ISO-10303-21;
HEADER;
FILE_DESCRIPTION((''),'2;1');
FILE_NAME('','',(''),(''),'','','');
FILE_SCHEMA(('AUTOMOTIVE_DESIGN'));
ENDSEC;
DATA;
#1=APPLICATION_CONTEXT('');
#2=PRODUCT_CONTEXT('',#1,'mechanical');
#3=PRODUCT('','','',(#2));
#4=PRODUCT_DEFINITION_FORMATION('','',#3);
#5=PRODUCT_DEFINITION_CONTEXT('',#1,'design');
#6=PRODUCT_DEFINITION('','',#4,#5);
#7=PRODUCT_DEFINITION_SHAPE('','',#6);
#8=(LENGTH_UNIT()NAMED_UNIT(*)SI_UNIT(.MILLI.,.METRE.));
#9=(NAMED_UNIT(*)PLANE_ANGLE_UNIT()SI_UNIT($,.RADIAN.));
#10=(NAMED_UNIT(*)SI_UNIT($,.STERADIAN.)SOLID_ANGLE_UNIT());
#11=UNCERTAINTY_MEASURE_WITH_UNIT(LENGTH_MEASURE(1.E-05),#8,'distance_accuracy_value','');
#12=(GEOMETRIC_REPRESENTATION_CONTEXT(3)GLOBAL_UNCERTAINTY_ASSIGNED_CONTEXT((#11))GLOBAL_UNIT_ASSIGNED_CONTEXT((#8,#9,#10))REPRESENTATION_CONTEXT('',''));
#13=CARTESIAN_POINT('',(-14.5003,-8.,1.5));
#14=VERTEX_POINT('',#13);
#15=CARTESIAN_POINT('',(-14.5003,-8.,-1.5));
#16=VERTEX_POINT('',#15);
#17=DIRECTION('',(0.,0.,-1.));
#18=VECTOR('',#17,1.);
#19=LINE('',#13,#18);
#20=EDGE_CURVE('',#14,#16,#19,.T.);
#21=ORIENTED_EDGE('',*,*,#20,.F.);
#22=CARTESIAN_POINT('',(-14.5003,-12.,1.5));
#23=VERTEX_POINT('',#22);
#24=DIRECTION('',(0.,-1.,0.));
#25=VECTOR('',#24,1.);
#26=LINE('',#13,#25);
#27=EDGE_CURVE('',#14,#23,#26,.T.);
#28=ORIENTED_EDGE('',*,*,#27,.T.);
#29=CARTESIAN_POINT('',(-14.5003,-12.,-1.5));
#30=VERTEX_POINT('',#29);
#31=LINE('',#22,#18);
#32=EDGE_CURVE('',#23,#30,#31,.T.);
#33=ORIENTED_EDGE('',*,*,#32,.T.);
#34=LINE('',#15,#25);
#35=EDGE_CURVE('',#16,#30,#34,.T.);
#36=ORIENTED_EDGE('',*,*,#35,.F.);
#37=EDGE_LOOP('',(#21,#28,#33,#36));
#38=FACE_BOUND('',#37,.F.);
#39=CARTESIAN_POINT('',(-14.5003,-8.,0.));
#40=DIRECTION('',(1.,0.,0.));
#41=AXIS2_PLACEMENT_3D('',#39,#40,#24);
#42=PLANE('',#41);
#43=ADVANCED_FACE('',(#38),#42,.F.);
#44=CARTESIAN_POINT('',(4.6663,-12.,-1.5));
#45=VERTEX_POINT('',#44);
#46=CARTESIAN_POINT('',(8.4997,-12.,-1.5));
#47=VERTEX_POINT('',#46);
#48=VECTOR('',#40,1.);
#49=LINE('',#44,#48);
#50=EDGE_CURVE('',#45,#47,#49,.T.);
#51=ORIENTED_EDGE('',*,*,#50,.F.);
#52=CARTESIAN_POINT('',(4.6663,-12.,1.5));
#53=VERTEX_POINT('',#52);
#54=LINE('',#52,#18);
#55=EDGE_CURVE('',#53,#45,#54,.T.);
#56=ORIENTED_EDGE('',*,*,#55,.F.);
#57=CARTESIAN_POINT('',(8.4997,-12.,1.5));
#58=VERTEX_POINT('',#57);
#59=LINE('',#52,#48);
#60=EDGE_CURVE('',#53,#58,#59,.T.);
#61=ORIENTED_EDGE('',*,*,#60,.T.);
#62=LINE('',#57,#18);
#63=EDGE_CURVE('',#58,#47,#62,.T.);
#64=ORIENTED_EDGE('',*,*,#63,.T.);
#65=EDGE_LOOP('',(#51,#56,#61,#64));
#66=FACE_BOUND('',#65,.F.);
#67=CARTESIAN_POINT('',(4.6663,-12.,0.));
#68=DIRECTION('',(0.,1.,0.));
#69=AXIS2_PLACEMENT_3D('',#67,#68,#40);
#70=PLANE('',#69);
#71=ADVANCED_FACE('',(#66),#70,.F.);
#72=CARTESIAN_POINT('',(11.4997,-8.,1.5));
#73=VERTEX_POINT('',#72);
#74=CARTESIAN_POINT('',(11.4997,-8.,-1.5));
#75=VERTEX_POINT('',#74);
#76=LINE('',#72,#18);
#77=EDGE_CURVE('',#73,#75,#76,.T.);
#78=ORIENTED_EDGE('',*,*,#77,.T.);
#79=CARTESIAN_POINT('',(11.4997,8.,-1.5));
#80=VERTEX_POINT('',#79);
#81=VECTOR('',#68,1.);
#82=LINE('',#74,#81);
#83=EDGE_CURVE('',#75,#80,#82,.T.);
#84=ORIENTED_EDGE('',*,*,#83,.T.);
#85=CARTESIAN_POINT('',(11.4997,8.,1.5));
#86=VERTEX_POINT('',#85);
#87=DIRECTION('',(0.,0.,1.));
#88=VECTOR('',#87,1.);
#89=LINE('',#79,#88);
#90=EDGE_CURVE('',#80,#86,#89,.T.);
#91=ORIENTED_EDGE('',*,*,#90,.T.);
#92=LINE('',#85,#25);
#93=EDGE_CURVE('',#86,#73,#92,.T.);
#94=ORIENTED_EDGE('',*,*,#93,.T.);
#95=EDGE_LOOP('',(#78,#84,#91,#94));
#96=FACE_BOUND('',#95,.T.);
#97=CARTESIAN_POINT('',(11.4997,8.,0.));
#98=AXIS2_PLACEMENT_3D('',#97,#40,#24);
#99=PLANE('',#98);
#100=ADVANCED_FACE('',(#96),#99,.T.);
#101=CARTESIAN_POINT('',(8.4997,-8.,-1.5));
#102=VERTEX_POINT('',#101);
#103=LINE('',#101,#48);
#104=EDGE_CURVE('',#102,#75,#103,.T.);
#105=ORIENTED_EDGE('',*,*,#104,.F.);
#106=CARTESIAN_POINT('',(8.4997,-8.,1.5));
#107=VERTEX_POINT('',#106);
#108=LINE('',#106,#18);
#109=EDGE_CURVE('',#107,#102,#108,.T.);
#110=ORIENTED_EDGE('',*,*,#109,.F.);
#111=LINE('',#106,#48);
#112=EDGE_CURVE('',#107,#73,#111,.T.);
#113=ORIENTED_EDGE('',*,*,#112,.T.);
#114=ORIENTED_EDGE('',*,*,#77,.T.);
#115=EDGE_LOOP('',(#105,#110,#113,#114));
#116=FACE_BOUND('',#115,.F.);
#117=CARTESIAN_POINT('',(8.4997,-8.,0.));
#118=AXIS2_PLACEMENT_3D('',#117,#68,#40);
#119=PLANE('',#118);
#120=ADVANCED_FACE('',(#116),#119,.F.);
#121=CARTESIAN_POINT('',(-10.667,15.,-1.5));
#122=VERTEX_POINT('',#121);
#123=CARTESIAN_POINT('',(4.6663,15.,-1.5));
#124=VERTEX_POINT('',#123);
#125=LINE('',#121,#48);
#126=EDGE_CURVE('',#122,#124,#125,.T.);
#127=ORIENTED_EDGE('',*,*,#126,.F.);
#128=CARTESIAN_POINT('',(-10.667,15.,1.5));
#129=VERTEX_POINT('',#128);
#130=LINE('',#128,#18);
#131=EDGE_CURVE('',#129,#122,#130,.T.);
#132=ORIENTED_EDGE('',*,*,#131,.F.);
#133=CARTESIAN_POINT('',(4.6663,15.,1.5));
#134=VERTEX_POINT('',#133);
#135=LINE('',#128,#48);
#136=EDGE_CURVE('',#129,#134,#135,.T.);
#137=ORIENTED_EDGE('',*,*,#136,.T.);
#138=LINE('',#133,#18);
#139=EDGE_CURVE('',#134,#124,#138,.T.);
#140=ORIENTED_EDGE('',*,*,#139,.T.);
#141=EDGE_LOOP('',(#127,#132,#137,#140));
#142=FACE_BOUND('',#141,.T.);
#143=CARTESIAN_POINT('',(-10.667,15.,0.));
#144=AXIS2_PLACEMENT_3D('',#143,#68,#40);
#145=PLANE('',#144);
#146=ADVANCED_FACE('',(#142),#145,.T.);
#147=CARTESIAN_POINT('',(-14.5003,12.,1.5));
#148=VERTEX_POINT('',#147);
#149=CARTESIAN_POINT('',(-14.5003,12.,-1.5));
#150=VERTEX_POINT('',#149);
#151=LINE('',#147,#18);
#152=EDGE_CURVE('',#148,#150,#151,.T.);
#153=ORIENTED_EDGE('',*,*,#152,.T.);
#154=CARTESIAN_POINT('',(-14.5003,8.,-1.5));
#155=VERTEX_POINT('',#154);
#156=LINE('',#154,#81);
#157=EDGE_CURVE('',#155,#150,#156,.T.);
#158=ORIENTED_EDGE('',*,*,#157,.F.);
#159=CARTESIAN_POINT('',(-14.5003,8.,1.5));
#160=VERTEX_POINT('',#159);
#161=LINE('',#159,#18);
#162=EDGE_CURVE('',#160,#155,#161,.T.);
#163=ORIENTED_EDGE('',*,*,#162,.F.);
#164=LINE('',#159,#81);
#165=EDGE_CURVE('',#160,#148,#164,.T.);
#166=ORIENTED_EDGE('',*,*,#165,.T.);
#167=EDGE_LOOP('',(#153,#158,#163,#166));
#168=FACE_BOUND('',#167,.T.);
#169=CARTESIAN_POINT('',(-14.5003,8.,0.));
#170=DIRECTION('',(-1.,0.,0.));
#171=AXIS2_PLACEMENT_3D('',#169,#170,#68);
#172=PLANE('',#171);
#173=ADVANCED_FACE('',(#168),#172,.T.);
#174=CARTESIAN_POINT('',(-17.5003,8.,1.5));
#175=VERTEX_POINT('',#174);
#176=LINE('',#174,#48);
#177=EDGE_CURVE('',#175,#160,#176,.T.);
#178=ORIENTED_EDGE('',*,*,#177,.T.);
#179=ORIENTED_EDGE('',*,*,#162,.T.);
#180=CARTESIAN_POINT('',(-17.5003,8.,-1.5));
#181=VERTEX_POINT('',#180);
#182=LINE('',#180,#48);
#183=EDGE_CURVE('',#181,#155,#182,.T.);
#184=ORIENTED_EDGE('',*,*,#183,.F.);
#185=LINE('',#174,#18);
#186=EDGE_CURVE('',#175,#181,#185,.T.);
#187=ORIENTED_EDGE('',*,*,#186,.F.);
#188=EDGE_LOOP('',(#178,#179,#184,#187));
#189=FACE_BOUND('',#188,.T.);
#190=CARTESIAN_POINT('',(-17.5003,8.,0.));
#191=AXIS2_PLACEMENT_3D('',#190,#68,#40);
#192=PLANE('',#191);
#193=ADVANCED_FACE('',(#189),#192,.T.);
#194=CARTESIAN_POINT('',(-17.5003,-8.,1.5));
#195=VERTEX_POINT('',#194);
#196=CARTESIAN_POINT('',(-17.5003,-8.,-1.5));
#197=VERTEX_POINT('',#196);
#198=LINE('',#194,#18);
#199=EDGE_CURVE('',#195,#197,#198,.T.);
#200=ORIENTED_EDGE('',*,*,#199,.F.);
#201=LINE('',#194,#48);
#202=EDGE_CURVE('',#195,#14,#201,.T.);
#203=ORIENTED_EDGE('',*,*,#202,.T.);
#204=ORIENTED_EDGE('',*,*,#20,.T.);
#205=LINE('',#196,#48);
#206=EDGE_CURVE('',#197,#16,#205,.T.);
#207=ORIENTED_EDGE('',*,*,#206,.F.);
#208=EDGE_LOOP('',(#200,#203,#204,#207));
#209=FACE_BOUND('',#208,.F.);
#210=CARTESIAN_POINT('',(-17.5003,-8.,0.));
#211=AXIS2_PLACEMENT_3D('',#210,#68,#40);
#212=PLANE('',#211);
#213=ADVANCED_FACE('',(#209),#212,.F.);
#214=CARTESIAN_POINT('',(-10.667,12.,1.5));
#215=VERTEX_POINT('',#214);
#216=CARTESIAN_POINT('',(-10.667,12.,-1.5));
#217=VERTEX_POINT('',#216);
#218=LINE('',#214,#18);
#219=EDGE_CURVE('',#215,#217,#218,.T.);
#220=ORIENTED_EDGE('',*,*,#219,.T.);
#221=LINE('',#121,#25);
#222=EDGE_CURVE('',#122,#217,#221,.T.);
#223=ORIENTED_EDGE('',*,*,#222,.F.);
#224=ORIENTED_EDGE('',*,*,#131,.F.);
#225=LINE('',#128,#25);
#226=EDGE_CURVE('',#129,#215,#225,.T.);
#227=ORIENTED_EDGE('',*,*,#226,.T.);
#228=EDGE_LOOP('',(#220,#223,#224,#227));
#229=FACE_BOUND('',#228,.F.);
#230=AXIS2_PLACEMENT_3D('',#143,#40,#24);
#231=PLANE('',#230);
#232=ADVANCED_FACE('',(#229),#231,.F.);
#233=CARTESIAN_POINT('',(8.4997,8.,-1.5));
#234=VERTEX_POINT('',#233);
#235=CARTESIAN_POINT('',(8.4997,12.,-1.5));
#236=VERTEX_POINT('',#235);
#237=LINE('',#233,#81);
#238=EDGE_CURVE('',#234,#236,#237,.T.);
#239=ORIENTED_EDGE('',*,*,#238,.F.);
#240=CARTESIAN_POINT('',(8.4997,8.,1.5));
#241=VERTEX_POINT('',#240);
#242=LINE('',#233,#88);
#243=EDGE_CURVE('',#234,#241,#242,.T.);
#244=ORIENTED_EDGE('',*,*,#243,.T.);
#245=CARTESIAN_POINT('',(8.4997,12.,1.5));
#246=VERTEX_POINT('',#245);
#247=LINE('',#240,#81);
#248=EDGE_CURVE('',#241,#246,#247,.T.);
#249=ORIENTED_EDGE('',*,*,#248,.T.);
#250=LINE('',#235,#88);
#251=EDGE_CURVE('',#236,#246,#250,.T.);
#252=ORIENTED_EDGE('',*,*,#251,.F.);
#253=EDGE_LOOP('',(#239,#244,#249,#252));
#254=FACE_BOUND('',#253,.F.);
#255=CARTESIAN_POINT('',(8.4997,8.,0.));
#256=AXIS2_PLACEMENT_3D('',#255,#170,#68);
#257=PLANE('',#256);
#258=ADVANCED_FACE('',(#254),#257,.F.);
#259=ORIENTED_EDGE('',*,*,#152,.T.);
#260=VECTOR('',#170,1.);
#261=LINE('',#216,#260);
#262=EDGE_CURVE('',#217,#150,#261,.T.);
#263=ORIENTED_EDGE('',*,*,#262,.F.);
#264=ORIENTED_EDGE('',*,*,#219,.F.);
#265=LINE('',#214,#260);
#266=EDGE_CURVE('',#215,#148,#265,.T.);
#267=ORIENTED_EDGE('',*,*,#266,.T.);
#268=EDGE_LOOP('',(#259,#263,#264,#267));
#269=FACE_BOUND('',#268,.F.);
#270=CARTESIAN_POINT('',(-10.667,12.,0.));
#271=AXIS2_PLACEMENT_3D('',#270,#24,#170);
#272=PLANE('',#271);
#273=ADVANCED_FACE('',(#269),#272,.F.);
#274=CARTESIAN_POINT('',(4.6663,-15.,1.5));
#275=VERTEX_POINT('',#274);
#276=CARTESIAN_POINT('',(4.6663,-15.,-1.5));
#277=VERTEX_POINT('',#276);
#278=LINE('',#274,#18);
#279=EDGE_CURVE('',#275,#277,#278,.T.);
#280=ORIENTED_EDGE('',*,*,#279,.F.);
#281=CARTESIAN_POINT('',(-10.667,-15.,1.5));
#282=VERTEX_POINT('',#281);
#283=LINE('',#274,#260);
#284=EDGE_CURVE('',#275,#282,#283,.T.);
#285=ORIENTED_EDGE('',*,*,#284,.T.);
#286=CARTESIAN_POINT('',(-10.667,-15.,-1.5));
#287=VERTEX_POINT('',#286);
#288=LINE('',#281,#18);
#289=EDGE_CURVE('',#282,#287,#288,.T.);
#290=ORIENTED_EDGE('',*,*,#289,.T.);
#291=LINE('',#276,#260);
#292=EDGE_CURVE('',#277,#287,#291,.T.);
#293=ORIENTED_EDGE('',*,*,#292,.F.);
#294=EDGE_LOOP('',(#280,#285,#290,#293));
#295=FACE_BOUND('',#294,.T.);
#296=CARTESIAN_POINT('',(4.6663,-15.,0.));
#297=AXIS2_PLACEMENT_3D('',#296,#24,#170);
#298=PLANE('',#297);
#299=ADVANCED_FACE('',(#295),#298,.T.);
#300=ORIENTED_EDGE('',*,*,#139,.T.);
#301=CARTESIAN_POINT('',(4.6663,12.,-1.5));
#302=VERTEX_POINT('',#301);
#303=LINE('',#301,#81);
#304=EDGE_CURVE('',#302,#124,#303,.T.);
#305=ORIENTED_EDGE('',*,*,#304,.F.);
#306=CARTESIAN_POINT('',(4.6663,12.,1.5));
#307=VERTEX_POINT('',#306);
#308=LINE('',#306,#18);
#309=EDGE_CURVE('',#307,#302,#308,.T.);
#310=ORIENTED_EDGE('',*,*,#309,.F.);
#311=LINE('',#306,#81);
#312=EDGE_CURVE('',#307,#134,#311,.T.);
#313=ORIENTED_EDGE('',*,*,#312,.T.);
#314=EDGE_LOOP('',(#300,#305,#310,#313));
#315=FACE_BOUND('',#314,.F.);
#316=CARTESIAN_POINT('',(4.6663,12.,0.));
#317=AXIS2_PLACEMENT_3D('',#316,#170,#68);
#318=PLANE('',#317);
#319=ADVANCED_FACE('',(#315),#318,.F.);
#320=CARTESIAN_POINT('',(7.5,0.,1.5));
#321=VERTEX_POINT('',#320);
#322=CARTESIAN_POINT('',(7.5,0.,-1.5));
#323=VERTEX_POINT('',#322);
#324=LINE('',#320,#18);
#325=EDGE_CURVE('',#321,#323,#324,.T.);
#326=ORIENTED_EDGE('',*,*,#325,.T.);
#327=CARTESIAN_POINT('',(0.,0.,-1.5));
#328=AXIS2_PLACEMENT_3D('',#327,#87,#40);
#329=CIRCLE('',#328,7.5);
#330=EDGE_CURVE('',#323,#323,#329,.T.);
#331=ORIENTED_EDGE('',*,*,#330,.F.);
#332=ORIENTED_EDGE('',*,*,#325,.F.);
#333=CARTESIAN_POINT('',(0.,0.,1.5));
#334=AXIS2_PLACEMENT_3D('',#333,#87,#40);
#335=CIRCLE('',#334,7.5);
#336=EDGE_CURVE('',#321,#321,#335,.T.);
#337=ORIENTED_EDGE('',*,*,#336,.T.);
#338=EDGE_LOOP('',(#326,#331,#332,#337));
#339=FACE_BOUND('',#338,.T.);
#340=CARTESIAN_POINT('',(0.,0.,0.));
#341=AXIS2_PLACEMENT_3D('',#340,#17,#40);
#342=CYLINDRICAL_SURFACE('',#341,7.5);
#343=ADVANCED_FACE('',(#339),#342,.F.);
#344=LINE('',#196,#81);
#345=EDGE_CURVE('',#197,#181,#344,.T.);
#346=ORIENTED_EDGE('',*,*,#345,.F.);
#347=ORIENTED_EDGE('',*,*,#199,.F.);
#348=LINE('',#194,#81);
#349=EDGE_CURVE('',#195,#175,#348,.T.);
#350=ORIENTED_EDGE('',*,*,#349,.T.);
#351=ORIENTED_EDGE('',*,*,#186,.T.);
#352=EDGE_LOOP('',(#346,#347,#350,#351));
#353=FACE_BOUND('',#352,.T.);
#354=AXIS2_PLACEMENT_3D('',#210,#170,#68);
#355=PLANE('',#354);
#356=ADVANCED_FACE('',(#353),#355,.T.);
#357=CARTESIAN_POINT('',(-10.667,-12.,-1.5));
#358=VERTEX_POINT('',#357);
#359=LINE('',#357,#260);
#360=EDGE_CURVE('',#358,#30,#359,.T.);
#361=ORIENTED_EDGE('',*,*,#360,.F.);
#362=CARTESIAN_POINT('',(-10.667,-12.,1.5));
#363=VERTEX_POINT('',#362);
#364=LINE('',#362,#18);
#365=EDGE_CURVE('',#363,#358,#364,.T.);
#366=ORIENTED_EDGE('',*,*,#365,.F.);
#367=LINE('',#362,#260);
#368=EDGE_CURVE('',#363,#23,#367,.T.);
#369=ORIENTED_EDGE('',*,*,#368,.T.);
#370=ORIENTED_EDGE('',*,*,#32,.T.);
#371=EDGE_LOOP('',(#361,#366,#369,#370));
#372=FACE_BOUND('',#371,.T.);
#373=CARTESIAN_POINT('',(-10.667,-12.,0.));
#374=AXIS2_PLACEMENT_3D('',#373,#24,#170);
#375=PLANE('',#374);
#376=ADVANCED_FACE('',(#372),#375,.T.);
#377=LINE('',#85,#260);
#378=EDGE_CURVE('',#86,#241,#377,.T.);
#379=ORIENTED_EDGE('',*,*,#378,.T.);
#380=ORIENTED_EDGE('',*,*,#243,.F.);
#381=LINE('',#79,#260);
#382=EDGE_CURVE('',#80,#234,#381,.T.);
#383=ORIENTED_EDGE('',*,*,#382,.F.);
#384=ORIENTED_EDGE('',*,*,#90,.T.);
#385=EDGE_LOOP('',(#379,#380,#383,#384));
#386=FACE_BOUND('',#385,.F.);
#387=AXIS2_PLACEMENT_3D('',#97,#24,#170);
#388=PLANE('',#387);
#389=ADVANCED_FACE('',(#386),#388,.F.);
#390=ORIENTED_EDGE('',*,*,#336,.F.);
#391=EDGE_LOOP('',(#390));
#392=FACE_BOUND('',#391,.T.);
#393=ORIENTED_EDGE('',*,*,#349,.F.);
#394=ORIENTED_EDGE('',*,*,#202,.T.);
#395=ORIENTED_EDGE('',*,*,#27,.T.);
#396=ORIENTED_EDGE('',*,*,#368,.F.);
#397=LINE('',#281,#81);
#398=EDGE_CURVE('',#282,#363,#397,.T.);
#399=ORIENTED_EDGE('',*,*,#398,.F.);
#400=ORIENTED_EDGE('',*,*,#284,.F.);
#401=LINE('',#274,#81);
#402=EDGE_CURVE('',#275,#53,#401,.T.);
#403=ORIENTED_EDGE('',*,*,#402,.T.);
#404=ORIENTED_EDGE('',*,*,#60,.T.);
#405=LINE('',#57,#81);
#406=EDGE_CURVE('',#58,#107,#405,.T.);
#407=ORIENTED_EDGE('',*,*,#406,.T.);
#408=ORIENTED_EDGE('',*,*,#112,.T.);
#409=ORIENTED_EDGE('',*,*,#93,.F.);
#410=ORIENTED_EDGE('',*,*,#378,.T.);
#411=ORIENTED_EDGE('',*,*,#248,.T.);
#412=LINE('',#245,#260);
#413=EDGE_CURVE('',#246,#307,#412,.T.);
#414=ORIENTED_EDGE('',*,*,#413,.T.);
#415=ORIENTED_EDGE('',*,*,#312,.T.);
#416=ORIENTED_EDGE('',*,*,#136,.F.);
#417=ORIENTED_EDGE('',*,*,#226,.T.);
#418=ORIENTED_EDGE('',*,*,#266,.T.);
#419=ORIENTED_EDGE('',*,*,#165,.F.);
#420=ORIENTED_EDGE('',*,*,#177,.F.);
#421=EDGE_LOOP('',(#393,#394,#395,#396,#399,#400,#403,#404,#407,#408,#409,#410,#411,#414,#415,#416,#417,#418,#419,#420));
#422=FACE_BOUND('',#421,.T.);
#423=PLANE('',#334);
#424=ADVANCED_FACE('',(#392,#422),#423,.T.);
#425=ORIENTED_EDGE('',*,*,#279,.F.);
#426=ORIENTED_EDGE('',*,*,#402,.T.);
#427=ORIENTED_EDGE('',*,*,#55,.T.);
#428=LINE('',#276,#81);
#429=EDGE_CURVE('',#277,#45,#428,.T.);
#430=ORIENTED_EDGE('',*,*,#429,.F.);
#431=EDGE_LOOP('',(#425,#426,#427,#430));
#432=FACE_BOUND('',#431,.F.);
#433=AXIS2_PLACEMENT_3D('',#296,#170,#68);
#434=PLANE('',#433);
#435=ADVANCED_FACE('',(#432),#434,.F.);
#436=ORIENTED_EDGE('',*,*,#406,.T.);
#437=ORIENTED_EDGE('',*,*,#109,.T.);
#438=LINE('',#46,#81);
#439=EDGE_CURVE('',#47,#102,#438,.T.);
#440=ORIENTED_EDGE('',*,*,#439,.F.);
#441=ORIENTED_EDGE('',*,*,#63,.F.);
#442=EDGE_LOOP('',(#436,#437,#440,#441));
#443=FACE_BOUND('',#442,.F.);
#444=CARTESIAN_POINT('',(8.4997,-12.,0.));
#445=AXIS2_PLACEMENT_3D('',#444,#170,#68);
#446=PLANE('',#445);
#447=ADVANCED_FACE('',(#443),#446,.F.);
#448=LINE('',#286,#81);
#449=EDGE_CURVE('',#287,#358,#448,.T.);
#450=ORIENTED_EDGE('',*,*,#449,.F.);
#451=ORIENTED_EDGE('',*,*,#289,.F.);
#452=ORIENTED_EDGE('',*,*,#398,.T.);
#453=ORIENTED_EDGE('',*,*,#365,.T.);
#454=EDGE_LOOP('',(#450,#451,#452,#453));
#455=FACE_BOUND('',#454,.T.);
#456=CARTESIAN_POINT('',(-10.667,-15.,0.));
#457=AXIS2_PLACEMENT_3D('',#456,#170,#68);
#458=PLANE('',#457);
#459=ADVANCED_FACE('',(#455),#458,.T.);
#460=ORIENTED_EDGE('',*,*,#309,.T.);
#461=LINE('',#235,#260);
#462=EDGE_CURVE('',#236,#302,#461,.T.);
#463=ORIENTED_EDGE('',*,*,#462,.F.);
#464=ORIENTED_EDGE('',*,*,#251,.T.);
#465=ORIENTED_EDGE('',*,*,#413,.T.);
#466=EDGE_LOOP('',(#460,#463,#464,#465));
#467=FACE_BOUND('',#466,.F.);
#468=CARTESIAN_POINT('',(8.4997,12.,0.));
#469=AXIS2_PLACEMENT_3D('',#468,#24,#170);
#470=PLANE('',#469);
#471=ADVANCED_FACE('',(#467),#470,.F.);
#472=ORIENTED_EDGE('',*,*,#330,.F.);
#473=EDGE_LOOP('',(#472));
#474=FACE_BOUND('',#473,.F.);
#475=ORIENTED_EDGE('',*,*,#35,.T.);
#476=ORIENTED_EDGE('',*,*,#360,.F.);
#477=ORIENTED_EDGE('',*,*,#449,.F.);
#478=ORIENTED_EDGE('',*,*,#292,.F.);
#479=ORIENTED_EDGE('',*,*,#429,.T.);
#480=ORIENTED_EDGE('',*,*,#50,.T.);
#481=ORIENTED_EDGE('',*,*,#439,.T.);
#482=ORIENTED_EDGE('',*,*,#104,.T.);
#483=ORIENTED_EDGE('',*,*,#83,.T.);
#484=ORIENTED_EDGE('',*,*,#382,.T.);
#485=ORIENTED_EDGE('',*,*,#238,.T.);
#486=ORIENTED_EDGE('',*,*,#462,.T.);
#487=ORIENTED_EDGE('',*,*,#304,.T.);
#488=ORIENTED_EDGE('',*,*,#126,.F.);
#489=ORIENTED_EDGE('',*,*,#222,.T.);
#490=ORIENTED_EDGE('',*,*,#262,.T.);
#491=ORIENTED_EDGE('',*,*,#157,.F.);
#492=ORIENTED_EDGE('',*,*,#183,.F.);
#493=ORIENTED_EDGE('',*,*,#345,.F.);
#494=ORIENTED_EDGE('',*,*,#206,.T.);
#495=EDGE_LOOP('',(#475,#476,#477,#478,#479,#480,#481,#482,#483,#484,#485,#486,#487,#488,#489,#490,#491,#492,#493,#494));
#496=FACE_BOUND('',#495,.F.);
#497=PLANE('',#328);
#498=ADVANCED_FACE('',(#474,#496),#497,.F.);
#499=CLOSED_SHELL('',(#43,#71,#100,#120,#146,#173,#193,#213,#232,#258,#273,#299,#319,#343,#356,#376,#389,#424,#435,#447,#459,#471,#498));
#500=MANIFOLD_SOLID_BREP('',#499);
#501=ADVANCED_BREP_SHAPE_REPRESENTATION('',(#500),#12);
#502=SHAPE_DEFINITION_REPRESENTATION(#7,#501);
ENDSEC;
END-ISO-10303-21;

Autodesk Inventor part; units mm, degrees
ref_plane "YZ Plane" through (0, 0, 0) normal (1, 0, 0) x (0, 1, 0)
ref_plane "XZ Plane" through (0, 0, 0) normal (0, 1, 0) x (-1, 0, 0)
ref_plane "XY Plane" through (0, 0, 0) normal (0, 0, 1) x (1, 0, 0)
sketch "Sketch1" plane through (0, 0, 0) normal (0, 0, 1) x (1, 0, 0)
  circle A0 centre (0, 0) radius 7.5
  line L0 (11.4997, 8) -> (8.4997, 8)
  line L1 (8.4997, 8) -> (8.4997, 12)
  line L2 (8.4997, -12) -> (8.4997, -8)
  line L3 (8.4997, -8) -> (11.4997, -8)
  line L4 (-10.667, -15) -> (-10.667, -12)
  line L5 (-10.667, -12) -> (-14.5003, -12)
  line L6 (4.6663, -15) -> (4.6663, -12)
  line L7 (4.6663, -12) -> (8.4997, -12)
  line L8 (-17.5003, -8) -> (-14.5003, -8)
  line L9 (-14.5003, -8) -> (-14.5003, -12)
  line L10 (-17.5003, 8) -> (-14.5003, 8)
  line L11 (-14.5003, 8) -> (-14.5003, 12)
  line L12 (-10.667, 15) -> (-10.667, 12)
  line L13 (-10.667, 12) -> (-14.5003, 12)
  line L14 (8.4997, 12) -> (4.6663, 12)
  line L15 (4.6663, 12) -> (4.6663, 15)
  line L16 (11.4997, 8) -> (11.4997, -8)
  line L17 (-10.667, 15) -> (4.6663, 15)
  line L18 (-17.5003, -8) -> (-17.5003, 8)
  line L19 (4.6663, -15) -> (-10.667, -15)
  line L20 (11.4997, -7) -> (11.4997, 8)
  line L21 (-20.9424, 0) -> (31.3224, 0) construction
  line L22 (-0.0003, 36) -> (-0.0003, -23) construction
  dimension "d0" = 15
  dimension "d3" = 3
  dimension "d5" = 3
  dimension "d6" = 3
  dimension "d15" = 30
  dimension "d16" = 3
  dimension "d22" = 8.5
  dimension "d23" = 14.5
  dimension "d24" = 23
  dimension "d25" = 15.3333
  dimension "d26" = 24
  dimension "d27" = 16
extrude "Extrusion1" add sketch "Sketch1" along normal mid plane 3
equation "\"d25\" = 0.666667 * d24"
equation "\"d27\" = 0.666667 * d26"
properties part number "Camera-Holder_Bearing-Ring-Middle-Left"
